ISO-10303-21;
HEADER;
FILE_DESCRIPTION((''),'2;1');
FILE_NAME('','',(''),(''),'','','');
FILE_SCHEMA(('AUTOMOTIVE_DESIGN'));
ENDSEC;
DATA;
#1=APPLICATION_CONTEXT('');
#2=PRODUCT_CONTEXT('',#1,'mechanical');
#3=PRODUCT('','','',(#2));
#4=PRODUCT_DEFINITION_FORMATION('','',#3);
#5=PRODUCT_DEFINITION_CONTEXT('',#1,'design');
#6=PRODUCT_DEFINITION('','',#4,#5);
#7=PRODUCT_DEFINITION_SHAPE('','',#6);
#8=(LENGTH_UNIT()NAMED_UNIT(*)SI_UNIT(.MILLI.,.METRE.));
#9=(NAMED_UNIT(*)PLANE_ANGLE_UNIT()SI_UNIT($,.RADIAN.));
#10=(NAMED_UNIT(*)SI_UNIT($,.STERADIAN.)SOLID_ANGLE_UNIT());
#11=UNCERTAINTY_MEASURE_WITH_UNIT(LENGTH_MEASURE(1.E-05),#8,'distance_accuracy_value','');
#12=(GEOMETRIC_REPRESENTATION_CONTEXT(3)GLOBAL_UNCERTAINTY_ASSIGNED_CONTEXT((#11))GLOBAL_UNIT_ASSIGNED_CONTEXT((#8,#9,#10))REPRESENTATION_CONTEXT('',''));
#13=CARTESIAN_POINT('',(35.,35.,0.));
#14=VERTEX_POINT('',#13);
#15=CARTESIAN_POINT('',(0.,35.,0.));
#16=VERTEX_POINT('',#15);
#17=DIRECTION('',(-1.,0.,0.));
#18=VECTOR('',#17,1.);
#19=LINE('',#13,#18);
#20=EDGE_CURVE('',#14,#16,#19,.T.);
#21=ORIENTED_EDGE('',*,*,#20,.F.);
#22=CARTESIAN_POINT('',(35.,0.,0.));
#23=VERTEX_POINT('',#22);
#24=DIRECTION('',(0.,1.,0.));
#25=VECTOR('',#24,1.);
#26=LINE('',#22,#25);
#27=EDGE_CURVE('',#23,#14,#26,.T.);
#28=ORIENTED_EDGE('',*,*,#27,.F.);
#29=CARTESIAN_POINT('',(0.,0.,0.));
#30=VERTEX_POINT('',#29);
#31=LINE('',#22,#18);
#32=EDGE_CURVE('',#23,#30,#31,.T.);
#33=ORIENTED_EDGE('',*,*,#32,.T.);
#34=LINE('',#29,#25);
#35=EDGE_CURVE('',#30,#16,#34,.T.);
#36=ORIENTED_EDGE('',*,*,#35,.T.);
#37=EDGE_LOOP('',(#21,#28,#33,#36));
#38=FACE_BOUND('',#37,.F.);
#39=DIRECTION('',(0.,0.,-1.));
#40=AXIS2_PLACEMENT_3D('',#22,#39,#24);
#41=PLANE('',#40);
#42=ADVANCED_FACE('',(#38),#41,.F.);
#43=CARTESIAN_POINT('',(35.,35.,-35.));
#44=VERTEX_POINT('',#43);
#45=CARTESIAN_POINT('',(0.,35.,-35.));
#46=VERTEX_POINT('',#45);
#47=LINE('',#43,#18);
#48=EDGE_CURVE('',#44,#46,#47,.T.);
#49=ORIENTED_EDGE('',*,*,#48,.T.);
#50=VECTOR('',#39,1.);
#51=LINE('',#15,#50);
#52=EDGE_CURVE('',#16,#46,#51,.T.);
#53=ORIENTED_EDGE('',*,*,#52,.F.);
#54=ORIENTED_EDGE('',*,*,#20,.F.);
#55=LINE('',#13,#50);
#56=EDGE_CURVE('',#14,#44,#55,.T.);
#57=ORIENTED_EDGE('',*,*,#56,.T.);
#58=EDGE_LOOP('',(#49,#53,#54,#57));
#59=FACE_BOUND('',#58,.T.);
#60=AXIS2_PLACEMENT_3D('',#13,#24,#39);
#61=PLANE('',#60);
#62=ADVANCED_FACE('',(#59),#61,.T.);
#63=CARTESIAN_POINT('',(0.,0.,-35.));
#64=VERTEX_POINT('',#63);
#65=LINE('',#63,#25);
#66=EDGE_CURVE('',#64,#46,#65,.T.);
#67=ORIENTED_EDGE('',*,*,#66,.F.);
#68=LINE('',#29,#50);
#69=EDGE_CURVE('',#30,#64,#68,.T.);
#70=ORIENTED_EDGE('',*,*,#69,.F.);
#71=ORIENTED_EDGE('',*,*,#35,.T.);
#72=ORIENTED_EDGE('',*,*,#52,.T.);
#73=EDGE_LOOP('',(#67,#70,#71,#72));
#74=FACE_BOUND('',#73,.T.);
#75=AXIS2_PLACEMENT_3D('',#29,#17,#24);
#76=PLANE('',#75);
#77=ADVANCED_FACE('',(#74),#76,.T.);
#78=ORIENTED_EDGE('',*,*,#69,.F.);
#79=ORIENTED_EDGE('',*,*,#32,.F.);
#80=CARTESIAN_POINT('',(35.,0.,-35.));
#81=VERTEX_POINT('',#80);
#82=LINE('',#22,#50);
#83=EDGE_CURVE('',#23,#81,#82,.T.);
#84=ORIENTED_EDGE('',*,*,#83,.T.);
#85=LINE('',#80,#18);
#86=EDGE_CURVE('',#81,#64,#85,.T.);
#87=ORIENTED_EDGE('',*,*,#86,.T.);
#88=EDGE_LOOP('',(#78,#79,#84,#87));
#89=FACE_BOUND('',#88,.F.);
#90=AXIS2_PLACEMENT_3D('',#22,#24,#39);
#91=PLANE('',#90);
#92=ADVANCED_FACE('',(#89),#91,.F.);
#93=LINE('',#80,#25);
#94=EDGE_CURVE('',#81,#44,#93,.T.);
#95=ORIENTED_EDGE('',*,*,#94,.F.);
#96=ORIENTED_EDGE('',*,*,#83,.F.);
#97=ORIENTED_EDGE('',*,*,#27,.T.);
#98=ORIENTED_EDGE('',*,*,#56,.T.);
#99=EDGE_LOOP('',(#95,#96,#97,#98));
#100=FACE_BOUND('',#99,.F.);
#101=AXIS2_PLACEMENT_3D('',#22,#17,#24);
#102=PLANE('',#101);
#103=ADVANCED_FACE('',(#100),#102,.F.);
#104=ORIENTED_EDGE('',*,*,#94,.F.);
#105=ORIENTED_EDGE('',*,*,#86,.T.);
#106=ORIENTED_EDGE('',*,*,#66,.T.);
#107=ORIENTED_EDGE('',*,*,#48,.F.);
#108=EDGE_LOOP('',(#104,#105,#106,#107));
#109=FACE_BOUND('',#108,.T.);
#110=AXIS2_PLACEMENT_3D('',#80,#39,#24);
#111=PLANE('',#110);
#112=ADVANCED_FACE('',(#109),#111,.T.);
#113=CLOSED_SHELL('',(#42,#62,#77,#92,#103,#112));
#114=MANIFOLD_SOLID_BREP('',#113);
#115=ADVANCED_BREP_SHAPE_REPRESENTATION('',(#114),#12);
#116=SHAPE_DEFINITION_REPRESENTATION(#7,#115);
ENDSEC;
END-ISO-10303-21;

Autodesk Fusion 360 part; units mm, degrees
box "BoxPrimitive1" add length 35 width 35 height 35 placed x (0, 0, -1) y (-1, 0, 0) z (0, 1, 0) at (35, 0, 0)
